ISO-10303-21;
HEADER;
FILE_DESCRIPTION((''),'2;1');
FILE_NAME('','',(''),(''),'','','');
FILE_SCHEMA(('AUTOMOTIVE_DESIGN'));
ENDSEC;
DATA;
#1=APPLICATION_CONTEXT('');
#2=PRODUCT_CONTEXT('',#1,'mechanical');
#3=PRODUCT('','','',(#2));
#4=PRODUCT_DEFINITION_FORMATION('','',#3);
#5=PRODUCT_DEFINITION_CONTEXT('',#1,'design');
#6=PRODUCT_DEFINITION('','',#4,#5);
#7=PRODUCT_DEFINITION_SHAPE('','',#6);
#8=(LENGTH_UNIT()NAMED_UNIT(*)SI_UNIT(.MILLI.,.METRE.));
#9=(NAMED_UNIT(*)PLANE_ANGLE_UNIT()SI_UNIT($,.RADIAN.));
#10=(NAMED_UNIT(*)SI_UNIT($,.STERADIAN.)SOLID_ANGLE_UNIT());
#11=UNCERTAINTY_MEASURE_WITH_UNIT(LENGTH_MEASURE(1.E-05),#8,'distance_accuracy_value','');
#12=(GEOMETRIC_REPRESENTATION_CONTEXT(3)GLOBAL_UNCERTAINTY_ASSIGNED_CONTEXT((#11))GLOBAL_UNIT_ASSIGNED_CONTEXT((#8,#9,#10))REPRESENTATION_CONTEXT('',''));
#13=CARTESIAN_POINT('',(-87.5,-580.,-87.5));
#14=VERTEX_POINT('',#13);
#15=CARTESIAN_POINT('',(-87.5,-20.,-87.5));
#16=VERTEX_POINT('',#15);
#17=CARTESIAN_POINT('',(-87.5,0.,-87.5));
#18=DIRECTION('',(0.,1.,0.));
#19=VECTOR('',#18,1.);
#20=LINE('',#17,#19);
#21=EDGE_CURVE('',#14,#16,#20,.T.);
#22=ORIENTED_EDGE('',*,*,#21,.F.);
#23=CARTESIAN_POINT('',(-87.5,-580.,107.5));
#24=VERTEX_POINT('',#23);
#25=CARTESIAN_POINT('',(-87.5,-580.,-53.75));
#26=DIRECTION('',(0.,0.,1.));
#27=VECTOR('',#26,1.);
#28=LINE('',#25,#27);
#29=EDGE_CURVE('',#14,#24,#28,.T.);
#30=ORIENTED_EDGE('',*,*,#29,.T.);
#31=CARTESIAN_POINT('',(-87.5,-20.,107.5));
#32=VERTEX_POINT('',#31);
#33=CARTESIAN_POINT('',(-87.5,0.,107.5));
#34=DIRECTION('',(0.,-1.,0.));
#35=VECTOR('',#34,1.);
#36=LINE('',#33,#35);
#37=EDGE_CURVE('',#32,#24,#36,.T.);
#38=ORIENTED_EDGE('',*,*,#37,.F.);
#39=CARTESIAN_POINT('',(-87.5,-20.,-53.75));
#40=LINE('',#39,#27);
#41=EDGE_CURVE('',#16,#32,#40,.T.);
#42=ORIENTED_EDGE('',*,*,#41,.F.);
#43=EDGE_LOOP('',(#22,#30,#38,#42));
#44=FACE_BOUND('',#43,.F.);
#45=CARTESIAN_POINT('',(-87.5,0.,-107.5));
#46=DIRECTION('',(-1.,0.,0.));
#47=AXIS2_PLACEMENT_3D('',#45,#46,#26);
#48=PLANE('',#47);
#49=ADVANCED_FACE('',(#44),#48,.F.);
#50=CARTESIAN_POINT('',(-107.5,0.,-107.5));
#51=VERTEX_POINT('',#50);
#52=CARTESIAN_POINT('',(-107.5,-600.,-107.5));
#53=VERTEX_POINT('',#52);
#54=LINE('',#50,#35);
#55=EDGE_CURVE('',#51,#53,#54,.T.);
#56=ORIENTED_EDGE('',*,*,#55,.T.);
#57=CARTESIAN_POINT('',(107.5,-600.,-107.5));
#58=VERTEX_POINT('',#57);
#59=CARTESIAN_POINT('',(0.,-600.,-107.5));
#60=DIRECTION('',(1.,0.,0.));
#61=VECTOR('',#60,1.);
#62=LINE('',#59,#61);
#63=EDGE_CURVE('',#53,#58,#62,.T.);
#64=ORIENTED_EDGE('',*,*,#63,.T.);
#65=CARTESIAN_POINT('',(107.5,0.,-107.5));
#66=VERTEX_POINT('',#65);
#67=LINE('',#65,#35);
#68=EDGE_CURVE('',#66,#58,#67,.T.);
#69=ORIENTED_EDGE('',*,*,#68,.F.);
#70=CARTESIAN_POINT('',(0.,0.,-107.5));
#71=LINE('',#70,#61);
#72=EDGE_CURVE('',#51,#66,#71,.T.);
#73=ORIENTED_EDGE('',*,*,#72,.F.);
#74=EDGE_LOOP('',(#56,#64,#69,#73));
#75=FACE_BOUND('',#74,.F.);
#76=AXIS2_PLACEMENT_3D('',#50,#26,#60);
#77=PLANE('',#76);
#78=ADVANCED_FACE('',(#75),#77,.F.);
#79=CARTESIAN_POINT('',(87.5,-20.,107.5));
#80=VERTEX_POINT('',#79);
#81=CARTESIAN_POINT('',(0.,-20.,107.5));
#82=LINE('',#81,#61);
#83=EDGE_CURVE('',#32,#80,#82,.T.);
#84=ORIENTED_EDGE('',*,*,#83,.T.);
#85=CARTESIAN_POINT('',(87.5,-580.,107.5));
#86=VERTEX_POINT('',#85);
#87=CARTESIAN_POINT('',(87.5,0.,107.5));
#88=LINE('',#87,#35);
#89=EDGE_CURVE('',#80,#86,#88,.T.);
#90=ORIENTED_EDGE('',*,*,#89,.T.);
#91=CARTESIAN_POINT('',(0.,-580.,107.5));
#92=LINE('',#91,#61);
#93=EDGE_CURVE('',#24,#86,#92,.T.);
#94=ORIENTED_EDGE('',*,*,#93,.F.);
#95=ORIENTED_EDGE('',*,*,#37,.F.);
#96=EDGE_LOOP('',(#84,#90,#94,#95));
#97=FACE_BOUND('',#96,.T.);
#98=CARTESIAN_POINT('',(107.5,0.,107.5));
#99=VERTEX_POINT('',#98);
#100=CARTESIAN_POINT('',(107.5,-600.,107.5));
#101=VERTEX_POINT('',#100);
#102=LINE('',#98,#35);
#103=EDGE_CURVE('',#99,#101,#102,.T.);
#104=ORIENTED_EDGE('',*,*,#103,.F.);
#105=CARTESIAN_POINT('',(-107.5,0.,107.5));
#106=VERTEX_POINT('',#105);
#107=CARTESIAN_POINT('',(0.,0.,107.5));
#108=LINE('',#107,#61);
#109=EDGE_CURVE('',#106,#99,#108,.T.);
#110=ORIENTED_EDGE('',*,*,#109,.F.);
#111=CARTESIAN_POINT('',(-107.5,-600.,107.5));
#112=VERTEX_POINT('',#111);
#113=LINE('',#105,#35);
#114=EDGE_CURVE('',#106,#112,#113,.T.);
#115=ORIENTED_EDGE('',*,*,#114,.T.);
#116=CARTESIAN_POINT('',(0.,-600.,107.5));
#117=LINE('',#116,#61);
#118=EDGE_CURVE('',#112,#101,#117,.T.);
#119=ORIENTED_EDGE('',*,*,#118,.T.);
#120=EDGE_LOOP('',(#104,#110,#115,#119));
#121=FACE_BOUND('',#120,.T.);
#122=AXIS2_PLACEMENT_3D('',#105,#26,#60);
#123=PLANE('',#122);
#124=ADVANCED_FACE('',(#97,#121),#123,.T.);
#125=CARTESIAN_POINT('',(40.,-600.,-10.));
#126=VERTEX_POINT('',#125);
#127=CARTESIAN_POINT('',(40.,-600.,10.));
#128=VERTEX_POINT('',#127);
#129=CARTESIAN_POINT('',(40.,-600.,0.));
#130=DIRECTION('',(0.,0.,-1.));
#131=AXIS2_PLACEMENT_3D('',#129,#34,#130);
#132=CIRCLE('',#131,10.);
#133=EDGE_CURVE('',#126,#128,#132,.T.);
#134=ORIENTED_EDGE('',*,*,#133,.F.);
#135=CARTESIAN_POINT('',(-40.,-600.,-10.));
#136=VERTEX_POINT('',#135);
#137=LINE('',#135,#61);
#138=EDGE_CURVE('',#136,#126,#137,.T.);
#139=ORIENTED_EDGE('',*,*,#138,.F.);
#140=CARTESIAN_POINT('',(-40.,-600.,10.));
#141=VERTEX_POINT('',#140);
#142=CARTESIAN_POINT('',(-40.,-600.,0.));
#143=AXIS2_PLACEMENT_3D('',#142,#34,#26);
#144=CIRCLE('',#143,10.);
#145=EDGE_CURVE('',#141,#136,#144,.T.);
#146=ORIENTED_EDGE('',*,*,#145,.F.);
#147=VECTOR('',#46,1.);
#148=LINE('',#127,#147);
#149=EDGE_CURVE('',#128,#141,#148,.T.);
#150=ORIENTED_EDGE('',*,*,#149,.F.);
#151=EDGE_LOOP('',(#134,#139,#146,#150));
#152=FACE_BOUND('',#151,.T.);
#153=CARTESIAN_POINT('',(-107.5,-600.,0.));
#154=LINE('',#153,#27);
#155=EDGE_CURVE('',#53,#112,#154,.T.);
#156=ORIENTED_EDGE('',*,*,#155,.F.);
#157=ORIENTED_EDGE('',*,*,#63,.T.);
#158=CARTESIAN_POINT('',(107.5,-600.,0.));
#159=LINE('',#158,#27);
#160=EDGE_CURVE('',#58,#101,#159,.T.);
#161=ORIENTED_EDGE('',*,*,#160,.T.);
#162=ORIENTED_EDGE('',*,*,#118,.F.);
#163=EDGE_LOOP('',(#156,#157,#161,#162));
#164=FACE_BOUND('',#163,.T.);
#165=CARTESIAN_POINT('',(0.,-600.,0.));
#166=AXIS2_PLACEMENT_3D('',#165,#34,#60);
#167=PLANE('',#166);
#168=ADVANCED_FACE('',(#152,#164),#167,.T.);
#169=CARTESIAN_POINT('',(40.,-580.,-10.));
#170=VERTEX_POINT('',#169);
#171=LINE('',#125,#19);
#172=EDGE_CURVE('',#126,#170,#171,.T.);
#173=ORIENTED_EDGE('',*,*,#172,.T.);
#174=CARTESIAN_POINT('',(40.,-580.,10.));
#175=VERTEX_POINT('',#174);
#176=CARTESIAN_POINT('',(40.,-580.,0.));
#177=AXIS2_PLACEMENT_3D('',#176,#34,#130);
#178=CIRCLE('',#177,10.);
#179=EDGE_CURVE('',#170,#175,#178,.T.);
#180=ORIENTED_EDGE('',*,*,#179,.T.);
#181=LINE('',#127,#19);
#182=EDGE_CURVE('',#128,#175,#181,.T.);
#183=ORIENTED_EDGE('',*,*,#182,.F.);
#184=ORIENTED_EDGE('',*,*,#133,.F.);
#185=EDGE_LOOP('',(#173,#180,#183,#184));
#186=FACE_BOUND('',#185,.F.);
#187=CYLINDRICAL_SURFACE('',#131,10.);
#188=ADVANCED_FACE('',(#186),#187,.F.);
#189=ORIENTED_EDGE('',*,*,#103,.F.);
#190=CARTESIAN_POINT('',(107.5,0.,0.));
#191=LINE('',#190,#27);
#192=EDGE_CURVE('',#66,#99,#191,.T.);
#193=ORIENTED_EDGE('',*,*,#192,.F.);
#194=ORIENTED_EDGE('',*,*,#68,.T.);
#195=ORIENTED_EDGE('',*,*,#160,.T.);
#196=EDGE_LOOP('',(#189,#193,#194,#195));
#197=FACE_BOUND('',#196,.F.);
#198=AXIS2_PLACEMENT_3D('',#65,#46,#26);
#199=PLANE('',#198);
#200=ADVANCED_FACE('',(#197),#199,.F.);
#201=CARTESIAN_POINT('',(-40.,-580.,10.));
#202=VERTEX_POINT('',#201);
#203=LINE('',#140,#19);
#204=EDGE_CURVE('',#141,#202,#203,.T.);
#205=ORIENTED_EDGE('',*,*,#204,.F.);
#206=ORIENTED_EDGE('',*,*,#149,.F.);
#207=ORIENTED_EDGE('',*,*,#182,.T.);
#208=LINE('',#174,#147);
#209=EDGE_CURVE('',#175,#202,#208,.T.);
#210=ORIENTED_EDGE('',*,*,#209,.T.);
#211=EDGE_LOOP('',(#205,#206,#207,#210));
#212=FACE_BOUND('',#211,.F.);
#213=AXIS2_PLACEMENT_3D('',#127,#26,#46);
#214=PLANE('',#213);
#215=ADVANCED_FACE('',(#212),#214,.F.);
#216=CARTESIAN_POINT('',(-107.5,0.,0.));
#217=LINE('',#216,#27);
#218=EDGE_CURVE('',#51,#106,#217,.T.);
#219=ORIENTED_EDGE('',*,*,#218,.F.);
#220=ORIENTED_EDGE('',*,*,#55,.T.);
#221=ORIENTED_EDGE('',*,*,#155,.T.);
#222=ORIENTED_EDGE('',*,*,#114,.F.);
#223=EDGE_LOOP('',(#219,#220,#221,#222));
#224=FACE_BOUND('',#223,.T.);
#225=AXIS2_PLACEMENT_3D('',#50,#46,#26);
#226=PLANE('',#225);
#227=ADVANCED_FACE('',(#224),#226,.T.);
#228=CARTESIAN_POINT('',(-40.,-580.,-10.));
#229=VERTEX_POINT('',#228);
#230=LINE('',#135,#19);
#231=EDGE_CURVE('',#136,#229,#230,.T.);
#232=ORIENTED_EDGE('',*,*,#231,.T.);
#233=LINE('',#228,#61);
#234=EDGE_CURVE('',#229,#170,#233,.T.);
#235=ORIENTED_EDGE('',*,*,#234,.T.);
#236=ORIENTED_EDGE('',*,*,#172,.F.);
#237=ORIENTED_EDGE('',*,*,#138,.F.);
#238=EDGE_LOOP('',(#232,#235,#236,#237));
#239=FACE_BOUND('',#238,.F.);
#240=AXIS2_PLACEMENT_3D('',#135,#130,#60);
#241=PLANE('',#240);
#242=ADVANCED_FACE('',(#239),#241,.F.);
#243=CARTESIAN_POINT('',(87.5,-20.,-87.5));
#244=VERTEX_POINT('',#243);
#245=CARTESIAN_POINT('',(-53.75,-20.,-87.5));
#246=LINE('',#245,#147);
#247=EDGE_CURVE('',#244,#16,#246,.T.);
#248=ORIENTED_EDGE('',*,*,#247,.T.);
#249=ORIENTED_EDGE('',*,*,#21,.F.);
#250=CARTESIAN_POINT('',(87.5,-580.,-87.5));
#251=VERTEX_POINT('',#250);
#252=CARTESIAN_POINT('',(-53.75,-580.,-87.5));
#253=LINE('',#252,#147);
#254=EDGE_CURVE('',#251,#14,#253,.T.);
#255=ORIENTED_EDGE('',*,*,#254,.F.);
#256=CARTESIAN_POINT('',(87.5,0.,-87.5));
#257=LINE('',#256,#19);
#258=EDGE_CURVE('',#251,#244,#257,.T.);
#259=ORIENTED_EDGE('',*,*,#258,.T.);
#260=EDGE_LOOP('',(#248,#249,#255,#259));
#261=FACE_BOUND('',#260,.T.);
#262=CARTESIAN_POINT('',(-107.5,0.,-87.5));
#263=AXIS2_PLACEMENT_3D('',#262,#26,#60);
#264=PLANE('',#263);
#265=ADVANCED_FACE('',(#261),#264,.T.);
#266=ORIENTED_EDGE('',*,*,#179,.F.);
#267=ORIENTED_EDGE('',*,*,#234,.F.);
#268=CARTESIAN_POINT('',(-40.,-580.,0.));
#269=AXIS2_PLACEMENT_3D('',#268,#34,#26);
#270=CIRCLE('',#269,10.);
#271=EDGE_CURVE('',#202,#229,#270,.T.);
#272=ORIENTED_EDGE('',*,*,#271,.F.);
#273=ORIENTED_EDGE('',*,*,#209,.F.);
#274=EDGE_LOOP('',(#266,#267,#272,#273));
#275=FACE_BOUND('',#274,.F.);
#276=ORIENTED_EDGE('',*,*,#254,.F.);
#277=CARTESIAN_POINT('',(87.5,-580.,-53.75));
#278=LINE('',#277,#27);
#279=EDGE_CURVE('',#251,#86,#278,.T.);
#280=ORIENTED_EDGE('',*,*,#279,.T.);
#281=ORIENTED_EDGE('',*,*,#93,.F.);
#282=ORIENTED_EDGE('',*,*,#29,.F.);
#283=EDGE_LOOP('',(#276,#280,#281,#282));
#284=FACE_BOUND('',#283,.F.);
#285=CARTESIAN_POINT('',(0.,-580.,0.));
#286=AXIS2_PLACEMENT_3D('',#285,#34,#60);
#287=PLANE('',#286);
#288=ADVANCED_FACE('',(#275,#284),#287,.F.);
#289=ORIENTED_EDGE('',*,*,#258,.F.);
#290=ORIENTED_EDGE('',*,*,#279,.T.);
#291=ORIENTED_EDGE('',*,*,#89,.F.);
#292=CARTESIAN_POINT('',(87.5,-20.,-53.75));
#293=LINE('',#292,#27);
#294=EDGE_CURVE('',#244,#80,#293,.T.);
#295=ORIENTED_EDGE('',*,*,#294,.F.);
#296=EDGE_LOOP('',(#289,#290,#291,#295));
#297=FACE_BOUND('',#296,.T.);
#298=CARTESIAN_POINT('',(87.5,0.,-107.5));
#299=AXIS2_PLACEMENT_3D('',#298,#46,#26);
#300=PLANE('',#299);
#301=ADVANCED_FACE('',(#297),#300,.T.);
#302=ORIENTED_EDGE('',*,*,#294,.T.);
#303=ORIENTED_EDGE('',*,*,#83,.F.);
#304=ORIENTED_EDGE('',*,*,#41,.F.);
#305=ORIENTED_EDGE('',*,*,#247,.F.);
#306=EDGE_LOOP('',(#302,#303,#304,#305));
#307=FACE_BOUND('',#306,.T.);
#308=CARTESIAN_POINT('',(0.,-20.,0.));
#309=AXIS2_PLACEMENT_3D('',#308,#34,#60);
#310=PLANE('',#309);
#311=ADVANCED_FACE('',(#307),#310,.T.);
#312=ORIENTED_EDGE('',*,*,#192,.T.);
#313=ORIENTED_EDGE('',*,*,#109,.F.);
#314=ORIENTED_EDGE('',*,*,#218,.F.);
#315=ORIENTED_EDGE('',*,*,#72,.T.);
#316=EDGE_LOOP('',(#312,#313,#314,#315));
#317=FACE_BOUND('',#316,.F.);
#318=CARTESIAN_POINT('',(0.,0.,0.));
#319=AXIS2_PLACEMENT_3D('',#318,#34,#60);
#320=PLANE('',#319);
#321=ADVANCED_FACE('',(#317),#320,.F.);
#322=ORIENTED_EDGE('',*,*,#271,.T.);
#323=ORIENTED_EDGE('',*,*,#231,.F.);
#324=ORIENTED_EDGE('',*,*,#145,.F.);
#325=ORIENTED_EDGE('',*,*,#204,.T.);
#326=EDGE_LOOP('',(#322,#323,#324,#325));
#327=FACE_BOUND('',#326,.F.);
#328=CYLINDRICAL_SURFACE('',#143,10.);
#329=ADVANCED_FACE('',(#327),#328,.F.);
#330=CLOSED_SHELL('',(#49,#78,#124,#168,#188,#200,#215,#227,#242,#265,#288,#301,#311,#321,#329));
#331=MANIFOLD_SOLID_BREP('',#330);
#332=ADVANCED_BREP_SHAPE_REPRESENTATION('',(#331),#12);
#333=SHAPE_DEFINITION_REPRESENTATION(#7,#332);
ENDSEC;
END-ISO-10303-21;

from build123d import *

# Parameters (mm, degrees)
F0_W     = 215
F0_H     = 215
F1_DEPTH = 600
F2_T     = -20
F4_DEPTH = 20


with BuildPart() as f1:
    # F0 (on Front) → F1 (new body)
    with BuildSketch(Plane.XZ):
        Rectangle(F0_W, F0_H)
    extrude(amount=F1_DEPTH)

    # F2
    f2_openings = [f1.faces().sort_by_distance(p)[0] for p in [
        (0, -300, 107.5),
    ]]
    offset(amount=F2_T, openings=f2_openings)

    # F3 (on face) → F4 (cut, through all)
    with BuildSketch(Plane.XZ.offset(600)):
        with BuildLine():
            Line((-40, -10), (40, -10))
            ThreePointArc((40, -10), (50, 0), (40, 10))
            Line((40, 10), (-40, 10))
            ThreePointArc((-40, 10), (-50, 0), (-40, -10))
        make_face()
    extrude(amount=-F4_DEPTH, mode=Mode.SUBTRACT)


solid = f1.part
